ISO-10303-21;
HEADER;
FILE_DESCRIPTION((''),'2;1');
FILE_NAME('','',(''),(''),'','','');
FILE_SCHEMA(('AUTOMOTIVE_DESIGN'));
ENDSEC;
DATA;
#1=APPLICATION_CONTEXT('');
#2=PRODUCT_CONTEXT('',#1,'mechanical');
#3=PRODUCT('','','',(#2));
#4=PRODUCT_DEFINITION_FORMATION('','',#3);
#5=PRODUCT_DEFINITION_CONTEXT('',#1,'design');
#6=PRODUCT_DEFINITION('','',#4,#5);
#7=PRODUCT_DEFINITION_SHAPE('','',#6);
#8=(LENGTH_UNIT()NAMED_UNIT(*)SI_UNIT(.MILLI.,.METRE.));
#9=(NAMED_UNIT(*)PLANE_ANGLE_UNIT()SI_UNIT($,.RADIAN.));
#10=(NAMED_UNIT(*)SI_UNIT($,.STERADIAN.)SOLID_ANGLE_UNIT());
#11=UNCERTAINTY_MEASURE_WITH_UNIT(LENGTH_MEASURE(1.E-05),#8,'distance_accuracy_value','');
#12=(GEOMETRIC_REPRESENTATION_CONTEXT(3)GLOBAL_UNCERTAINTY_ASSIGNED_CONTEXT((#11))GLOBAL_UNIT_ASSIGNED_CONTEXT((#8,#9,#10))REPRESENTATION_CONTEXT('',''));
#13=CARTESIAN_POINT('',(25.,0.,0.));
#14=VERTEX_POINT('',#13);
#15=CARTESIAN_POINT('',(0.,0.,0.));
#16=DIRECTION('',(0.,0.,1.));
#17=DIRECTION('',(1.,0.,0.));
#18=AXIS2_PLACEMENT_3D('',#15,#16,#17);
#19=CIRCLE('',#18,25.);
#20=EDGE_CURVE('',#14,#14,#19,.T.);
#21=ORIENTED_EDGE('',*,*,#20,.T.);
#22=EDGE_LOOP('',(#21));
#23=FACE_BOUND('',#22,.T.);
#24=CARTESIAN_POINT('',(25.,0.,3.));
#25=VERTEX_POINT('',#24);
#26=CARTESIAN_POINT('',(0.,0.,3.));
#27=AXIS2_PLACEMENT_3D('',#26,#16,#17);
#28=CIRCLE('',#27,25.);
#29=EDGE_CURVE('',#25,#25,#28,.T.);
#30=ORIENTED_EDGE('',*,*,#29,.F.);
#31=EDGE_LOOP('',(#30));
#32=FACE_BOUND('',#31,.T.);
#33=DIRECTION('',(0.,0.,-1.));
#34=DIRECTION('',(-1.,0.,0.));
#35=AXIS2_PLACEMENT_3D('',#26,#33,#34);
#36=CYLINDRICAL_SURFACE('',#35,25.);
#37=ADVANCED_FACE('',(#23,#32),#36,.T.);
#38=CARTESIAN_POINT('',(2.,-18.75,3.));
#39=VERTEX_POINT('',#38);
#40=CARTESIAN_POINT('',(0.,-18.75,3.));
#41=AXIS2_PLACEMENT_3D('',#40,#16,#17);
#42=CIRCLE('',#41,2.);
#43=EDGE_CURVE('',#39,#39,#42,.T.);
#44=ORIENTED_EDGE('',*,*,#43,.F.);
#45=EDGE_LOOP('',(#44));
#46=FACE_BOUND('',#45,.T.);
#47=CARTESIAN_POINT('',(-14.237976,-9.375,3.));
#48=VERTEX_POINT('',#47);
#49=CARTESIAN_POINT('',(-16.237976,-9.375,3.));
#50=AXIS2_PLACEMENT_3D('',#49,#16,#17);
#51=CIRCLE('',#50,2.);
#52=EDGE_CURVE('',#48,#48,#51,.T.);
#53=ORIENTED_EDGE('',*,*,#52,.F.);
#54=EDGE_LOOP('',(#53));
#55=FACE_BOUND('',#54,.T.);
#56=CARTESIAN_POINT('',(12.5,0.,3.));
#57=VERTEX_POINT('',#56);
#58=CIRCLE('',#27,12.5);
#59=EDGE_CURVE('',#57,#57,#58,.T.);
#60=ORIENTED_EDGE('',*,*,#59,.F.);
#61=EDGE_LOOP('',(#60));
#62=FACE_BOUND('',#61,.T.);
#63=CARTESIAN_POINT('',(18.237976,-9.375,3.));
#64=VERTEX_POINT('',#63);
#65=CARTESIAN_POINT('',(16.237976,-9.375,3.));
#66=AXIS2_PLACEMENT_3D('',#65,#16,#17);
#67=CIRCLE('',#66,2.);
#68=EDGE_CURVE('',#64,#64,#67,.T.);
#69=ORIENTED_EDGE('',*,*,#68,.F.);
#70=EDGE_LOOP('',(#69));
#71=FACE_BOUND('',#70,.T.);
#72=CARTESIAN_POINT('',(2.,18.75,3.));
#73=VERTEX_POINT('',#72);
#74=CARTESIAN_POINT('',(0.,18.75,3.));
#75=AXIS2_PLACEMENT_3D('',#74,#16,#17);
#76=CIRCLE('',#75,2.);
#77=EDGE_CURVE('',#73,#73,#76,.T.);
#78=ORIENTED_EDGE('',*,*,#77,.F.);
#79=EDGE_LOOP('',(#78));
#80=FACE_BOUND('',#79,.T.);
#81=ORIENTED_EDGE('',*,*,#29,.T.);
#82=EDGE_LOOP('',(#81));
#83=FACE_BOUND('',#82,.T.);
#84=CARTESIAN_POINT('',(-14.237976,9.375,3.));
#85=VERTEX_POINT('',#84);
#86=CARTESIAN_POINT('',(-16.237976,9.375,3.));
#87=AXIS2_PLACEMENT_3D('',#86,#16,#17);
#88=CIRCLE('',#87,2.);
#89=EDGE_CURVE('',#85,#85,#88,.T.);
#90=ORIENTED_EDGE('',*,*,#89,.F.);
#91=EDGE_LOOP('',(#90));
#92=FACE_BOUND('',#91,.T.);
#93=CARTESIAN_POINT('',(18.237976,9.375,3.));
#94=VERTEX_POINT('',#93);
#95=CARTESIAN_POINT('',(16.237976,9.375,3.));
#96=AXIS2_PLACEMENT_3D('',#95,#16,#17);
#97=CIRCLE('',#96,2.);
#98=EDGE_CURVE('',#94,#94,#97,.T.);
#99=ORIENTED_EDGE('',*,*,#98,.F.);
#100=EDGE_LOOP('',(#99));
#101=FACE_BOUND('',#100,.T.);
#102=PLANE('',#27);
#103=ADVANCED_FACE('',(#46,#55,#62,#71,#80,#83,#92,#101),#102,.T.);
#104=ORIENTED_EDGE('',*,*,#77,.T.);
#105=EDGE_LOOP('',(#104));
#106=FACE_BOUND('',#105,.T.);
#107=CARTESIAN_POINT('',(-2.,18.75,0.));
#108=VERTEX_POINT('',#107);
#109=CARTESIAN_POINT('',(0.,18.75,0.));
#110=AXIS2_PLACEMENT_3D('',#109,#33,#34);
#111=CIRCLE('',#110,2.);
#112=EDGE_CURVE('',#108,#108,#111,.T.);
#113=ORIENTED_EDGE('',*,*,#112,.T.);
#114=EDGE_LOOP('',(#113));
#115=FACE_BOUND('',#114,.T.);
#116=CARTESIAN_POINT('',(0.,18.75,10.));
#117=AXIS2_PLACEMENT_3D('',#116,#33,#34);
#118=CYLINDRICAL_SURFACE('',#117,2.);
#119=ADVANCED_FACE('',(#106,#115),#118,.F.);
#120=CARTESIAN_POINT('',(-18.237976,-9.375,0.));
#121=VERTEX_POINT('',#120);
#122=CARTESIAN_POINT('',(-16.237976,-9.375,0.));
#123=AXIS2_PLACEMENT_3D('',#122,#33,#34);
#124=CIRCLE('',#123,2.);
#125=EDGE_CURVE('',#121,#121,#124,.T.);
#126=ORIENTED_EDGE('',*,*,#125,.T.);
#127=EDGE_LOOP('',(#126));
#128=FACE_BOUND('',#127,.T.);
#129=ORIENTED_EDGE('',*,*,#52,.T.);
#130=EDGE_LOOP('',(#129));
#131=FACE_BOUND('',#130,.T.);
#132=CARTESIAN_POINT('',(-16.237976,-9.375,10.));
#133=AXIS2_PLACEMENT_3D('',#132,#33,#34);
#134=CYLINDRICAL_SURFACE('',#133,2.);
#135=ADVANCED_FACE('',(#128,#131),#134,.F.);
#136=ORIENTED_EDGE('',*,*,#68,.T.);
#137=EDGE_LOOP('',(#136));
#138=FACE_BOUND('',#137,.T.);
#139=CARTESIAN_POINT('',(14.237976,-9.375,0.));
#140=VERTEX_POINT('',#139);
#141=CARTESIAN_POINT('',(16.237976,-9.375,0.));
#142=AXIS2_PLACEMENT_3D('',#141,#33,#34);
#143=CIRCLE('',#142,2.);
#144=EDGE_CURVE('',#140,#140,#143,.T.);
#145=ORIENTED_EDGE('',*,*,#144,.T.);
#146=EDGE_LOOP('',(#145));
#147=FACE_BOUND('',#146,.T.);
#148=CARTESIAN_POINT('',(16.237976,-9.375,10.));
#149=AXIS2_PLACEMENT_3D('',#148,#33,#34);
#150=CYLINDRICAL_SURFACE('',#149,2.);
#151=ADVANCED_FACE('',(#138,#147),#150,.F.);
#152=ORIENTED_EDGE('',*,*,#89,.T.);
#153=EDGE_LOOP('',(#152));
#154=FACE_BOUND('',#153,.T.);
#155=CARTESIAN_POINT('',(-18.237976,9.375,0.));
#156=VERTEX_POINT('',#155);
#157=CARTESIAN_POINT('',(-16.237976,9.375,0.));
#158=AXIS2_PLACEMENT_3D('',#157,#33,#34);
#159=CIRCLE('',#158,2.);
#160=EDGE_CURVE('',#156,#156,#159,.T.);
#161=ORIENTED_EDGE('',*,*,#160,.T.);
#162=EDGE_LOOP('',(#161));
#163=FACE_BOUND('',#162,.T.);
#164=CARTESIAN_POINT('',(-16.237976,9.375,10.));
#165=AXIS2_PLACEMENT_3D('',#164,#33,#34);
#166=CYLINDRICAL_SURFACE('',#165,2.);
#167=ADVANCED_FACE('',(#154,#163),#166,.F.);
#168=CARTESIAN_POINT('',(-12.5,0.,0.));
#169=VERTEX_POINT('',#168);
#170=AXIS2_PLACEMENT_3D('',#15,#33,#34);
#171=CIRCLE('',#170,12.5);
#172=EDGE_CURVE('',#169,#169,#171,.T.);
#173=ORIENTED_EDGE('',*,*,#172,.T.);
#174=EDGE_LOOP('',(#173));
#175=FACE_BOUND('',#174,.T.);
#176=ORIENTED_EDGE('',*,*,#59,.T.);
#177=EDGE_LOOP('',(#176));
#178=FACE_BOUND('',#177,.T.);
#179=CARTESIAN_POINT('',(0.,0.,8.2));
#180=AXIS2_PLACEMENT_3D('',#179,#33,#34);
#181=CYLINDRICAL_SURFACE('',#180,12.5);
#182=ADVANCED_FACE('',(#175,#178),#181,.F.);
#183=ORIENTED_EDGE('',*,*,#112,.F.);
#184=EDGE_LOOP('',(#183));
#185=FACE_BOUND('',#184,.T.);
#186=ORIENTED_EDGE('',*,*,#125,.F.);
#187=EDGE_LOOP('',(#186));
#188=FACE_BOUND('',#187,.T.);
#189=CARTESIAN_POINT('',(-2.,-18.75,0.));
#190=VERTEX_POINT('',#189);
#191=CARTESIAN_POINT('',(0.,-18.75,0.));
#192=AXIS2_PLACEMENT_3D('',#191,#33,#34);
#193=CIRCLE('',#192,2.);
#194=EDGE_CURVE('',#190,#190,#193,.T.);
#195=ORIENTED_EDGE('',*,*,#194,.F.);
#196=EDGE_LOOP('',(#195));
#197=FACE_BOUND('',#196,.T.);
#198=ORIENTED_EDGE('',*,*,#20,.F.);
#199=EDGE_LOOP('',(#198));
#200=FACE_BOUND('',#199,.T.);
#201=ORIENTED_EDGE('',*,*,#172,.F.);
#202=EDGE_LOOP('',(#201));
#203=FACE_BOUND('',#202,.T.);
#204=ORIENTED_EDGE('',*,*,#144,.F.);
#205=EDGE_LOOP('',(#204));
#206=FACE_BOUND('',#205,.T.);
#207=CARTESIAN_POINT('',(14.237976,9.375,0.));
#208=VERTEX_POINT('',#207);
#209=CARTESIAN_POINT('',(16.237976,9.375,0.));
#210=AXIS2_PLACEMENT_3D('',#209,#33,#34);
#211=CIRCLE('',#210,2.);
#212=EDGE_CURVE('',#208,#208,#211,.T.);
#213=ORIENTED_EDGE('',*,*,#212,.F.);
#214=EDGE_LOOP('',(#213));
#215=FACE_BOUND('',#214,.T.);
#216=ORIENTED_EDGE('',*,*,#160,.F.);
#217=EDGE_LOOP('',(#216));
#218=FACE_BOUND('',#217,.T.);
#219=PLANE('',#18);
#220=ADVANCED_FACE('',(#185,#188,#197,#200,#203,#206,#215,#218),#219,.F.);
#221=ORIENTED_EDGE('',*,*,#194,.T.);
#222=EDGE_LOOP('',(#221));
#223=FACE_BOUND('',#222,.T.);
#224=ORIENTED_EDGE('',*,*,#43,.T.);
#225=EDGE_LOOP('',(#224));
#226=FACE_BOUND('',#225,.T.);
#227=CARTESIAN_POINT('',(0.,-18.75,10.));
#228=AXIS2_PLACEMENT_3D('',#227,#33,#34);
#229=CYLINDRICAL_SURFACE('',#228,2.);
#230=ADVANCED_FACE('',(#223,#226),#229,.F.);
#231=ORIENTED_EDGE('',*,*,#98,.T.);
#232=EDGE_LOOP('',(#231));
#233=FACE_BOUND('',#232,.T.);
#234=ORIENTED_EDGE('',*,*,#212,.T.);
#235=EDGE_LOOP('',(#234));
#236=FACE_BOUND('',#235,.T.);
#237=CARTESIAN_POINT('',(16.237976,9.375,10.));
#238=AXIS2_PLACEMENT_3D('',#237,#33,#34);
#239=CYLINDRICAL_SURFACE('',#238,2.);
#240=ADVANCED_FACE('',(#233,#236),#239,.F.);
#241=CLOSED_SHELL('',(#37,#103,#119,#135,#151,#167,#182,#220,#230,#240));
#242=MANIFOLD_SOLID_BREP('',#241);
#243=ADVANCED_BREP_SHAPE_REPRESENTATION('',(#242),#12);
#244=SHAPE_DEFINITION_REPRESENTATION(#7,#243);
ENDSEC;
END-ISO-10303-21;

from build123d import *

# Parameters (mm, degrees)
SKETCH1_R           = 25
BOSS_EXTRUDE1_DEPTH = 3
SKETCH4_R           = 12.5
CUT_EXTRUDE1_DEPTH  = 8.2
SKETCH11_R          = 2
CUT_EXTRUDE2_DEPTH  = 10


with BuildPart() as part:
    # Sketch1 → Boss-Extrude1 (new body)
    with BuildSketch(Plane.XY):
        Circle(SKETCH1_R)
    extrude(amount=BOSS_EXTRUDE1_DEPTH)

    # Sketch4 → Cut-Extrude1 (cut)
    with BuildSketch(Plane(origin=(0, 0, 0), x_dir=(-1, 0, 0), z_dir=(0, 0, -1))):
        Circle(SKETCH4_R)
    extrude(amount=-CUT_EXTRUDE1_DEPTH, mode=Mode.SUBTRACT)

    # Sketch11 → Cut-Extrude2 (cut)
    with BuildSketch(Plane(origin=(0, 0, 0), x_dir=(-1, 0, 0), z_dir=(0, 0, -1))):
        with Locations((0, 18.75)):
            Circle(SKETCH11_R)
        with Locations((16.237976321, 9.375)):
            Circle(SKETCH11_R)
        with Locations((16.237976321, -9.375)):
            Circle(SKETCH11_R)
        with Locations((0, -18.75)):
            Circle(SKETCH11_R)
        with Locations((-16.237976321, -9.375)):
            Circle(SKETCH11_R)
        with Locations((-16.237976321, 9.375)):
            Circle(SKETCH11_R)
    extrude(amount=-CUT_EXTRUDE2_DEPTH, mode=Mode.SUBTRACT)


solid = part.part
